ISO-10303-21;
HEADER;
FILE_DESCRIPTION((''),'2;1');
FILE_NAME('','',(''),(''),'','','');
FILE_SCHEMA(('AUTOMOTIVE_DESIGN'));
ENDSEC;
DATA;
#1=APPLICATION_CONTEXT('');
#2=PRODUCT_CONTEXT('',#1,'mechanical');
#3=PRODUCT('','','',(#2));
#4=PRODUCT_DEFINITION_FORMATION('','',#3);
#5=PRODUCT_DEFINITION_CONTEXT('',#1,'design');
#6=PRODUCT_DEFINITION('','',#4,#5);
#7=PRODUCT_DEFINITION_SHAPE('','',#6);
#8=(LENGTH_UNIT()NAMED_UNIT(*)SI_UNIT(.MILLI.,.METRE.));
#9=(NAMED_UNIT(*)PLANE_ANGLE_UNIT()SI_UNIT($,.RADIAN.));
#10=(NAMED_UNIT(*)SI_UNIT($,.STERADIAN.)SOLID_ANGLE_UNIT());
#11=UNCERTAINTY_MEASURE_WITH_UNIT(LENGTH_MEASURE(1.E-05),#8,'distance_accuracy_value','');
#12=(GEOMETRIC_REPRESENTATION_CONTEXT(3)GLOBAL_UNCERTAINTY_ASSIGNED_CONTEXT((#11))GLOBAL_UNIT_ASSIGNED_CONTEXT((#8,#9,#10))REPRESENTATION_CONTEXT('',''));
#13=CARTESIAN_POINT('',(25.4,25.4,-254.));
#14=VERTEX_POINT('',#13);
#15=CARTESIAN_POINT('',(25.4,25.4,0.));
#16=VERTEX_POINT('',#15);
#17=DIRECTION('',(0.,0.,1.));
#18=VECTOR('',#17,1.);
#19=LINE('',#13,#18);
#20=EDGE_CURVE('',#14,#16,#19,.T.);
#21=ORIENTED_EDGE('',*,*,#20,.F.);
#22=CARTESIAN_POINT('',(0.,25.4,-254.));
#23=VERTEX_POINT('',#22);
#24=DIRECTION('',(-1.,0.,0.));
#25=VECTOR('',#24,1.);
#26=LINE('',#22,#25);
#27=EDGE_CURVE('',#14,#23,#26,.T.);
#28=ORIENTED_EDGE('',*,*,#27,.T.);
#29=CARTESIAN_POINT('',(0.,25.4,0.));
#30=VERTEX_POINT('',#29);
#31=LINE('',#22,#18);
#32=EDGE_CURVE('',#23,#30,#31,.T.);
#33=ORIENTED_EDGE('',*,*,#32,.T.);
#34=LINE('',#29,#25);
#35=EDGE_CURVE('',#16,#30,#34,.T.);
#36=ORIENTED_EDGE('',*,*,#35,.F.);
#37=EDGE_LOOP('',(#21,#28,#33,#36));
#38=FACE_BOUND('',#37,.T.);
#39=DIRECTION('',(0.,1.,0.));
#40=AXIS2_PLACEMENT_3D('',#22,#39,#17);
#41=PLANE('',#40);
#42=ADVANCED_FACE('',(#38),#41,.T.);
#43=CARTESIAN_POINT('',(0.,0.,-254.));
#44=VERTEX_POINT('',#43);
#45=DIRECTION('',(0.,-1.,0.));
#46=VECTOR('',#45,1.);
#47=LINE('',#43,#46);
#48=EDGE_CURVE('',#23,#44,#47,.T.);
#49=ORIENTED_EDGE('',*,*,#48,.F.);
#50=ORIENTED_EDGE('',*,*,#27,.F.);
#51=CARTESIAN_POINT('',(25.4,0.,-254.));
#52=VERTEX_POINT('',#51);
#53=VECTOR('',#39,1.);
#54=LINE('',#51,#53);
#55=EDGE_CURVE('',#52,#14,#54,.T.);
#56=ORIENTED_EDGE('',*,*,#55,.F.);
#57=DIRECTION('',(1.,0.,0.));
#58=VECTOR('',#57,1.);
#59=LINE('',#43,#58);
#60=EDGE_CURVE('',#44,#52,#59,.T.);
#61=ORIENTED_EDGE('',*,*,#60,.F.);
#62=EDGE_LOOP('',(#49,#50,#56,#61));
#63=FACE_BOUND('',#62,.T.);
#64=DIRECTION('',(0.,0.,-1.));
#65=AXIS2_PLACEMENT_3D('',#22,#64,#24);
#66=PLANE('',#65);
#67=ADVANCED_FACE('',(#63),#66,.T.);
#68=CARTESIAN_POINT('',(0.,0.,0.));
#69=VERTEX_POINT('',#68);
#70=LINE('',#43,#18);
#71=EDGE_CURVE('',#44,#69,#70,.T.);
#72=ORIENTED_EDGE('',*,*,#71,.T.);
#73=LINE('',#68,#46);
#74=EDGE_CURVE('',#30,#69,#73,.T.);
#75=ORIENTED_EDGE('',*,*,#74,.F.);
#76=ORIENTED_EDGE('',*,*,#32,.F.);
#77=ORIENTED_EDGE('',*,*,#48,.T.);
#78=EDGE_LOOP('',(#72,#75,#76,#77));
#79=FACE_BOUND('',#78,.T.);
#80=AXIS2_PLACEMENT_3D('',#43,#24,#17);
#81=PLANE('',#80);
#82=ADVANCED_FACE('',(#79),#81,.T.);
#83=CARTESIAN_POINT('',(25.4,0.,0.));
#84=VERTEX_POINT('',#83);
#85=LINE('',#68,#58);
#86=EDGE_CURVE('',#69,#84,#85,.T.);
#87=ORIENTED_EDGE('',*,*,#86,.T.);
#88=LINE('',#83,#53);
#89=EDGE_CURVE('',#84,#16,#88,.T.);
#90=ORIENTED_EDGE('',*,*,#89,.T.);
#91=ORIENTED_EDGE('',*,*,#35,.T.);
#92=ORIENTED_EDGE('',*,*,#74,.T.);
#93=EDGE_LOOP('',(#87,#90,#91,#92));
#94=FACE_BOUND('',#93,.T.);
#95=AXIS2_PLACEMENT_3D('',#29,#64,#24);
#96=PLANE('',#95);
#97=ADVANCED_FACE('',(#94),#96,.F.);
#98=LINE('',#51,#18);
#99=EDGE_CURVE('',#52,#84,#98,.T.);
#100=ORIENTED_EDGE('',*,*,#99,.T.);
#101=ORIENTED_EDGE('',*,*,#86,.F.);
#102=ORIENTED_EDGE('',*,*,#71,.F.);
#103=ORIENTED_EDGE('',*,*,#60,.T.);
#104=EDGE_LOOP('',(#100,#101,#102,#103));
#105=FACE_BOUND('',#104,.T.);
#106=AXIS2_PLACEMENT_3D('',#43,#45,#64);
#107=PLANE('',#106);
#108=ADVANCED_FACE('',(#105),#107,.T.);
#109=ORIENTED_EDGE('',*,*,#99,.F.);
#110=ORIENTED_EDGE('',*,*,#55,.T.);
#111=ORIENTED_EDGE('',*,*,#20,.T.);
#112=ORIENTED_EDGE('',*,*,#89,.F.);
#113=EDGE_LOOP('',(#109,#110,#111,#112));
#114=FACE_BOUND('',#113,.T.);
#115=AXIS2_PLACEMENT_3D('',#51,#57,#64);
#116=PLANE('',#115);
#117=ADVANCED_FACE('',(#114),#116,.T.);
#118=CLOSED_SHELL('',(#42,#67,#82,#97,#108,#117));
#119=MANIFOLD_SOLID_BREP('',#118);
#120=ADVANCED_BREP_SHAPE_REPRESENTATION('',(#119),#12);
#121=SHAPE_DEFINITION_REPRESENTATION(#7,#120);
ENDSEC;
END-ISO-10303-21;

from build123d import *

# Parameters (mm, degrees)
SKETCH1_W      = 25.4
SKETCH1_H      = 25.4
EXTRUDE1_DEPTH = 254


with BuildPart() as part:
    # Sketch1 → Extrude1 (new body)
    with BuildSketch(Plane.XY):
        with Locations((12.7, 12.7)):
            Rectangle(SKETCH1_W, SKETCH1_H)
    extrude(amount=-EXTRUDE1_DEPTH)


solid = part.part
